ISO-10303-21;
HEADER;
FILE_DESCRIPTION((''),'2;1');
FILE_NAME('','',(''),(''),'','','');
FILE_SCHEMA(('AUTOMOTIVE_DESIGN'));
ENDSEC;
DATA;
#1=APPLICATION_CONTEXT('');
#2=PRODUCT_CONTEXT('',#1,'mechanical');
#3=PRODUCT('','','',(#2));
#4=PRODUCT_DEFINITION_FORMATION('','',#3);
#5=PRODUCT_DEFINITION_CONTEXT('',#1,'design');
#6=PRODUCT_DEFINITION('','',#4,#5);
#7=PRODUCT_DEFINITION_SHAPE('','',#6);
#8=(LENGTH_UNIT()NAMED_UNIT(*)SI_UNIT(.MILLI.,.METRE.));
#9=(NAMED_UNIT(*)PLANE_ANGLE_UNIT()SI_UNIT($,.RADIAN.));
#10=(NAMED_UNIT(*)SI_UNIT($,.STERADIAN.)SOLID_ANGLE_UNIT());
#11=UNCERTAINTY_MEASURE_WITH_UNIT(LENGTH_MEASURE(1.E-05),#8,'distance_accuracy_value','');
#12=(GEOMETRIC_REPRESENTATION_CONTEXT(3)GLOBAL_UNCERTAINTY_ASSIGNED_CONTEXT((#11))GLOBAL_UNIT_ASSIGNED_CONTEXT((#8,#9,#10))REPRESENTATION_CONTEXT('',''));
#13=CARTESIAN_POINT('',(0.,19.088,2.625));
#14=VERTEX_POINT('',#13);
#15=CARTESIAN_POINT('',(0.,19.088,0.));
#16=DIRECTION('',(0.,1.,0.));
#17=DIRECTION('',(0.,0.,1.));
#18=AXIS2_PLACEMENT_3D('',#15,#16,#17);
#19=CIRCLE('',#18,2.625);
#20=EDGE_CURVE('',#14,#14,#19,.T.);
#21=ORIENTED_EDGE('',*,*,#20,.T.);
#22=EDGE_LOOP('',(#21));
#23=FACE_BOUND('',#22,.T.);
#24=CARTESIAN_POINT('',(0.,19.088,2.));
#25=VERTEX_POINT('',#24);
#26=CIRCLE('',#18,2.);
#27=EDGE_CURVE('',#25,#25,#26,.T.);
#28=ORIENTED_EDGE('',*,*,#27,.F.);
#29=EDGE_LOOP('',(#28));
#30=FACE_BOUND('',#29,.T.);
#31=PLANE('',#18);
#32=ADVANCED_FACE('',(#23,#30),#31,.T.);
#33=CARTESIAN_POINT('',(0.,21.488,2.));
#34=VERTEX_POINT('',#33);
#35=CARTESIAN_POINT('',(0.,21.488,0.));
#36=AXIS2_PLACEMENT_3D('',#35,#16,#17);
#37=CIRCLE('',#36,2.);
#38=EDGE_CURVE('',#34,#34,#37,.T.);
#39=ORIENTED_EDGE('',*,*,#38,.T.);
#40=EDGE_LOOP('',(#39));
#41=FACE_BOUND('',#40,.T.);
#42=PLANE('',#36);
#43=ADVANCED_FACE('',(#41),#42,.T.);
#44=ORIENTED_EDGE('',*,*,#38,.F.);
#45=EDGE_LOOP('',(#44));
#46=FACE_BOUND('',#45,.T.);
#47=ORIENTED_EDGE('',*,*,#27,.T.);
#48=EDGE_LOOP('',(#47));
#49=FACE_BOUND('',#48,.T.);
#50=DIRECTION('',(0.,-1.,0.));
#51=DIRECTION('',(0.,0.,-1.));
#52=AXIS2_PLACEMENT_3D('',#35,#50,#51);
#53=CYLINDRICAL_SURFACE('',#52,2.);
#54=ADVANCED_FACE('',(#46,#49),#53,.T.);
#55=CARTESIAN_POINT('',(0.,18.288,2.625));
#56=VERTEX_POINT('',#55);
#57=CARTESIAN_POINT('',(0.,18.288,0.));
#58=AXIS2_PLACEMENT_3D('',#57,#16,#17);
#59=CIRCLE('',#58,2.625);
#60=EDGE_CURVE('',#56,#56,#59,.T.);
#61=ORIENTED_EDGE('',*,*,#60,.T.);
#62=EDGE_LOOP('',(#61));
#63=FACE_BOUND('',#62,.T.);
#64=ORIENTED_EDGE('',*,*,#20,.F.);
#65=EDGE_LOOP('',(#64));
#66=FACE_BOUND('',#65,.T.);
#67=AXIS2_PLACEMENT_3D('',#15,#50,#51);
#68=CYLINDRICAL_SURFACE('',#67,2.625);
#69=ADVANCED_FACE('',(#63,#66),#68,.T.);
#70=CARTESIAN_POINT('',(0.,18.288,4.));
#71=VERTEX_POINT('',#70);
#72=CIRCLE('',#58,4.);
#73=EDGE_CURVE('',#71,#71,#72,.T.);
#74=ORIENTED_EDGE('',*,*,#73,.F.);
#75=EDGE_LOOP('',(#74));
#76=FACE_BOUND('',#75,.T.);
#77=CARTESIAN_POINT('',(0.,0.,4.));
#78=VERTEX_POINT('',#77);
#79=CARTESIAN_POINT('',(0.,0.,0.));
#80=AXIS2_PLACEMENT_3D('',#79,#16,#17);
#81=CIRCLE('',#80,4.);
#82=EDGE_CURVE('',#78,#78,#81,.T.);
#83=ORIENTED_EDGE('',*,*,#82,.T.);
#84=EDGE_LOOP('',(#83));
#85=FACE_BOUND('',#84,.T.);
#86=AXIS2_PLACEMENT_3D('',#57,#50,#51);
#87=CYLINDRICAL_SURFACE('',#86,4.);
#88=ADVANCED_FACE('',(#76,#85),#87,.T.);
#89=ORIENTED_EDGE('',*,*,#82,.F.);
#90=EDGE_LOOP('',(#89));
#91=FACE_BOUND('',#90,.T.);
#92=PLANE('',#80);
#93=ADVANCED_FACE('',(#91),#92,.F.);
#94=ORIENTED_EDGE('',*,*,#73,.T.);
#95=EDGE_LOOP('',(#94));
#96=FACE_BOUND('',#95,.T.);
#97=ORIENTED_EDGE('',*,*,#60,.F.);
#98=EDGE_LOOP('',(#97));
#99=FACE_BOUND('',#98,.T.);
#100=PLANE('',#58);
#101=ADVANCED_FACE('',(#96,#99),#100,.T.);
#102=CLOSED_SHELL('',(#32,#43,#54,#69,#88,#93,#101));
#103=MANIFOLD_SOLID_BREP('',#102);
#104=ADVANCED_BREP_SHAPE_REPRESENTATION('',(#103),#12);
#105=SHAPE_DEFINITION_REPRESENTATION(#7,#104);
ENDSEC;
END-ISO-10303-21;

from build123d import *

# Parameters (mm, degrees)
SKETCH1_R           = 4
BOSS_EXTRUDE1_DEPTH = 18.288
SKETCH2_R           = 2.625
BOSS_EXTRUDE2_DEPTH = 0.8
SKETCH3_R           = 2
BOSS_EXTRUDE3_DEPTH = 2.4


with BuildPart() as part:
    # Sketch1 → Boss-Extrude1 (new body)
    with BuildSketch(Plane(origin=(0, 0, 0), x_dir=(1, 0, 0), z_dir=(0, 1, 0))):
        Circle(SKETCH1_R)
    extrude(amount=BOSS_EXTRUDE1_DEPTH)

    # Sketch2 → Boss-Extrude2 (add)
    with BuildSketch(Plane(origin=(0, 18.288, 0), x_dir=(1, 0, 0), z_dir=(0, 1, 0))):
        Circle(SKETCH2_R)
    extrude(amount=BOSS_EXTRUDE2_DEPTH)

    # Sketch3 → Boss-Extrude3 (add)
    with BuildSketch(Plane(origin=(0, 19.088, 0), x_dir=(1, 0, 0), z_dir=(0, 1, 0))):
        Circle(SKETCH3_R)
    extrude(amount=BOSS_EXTRUDE3_DEPTH)


solid = part.part
